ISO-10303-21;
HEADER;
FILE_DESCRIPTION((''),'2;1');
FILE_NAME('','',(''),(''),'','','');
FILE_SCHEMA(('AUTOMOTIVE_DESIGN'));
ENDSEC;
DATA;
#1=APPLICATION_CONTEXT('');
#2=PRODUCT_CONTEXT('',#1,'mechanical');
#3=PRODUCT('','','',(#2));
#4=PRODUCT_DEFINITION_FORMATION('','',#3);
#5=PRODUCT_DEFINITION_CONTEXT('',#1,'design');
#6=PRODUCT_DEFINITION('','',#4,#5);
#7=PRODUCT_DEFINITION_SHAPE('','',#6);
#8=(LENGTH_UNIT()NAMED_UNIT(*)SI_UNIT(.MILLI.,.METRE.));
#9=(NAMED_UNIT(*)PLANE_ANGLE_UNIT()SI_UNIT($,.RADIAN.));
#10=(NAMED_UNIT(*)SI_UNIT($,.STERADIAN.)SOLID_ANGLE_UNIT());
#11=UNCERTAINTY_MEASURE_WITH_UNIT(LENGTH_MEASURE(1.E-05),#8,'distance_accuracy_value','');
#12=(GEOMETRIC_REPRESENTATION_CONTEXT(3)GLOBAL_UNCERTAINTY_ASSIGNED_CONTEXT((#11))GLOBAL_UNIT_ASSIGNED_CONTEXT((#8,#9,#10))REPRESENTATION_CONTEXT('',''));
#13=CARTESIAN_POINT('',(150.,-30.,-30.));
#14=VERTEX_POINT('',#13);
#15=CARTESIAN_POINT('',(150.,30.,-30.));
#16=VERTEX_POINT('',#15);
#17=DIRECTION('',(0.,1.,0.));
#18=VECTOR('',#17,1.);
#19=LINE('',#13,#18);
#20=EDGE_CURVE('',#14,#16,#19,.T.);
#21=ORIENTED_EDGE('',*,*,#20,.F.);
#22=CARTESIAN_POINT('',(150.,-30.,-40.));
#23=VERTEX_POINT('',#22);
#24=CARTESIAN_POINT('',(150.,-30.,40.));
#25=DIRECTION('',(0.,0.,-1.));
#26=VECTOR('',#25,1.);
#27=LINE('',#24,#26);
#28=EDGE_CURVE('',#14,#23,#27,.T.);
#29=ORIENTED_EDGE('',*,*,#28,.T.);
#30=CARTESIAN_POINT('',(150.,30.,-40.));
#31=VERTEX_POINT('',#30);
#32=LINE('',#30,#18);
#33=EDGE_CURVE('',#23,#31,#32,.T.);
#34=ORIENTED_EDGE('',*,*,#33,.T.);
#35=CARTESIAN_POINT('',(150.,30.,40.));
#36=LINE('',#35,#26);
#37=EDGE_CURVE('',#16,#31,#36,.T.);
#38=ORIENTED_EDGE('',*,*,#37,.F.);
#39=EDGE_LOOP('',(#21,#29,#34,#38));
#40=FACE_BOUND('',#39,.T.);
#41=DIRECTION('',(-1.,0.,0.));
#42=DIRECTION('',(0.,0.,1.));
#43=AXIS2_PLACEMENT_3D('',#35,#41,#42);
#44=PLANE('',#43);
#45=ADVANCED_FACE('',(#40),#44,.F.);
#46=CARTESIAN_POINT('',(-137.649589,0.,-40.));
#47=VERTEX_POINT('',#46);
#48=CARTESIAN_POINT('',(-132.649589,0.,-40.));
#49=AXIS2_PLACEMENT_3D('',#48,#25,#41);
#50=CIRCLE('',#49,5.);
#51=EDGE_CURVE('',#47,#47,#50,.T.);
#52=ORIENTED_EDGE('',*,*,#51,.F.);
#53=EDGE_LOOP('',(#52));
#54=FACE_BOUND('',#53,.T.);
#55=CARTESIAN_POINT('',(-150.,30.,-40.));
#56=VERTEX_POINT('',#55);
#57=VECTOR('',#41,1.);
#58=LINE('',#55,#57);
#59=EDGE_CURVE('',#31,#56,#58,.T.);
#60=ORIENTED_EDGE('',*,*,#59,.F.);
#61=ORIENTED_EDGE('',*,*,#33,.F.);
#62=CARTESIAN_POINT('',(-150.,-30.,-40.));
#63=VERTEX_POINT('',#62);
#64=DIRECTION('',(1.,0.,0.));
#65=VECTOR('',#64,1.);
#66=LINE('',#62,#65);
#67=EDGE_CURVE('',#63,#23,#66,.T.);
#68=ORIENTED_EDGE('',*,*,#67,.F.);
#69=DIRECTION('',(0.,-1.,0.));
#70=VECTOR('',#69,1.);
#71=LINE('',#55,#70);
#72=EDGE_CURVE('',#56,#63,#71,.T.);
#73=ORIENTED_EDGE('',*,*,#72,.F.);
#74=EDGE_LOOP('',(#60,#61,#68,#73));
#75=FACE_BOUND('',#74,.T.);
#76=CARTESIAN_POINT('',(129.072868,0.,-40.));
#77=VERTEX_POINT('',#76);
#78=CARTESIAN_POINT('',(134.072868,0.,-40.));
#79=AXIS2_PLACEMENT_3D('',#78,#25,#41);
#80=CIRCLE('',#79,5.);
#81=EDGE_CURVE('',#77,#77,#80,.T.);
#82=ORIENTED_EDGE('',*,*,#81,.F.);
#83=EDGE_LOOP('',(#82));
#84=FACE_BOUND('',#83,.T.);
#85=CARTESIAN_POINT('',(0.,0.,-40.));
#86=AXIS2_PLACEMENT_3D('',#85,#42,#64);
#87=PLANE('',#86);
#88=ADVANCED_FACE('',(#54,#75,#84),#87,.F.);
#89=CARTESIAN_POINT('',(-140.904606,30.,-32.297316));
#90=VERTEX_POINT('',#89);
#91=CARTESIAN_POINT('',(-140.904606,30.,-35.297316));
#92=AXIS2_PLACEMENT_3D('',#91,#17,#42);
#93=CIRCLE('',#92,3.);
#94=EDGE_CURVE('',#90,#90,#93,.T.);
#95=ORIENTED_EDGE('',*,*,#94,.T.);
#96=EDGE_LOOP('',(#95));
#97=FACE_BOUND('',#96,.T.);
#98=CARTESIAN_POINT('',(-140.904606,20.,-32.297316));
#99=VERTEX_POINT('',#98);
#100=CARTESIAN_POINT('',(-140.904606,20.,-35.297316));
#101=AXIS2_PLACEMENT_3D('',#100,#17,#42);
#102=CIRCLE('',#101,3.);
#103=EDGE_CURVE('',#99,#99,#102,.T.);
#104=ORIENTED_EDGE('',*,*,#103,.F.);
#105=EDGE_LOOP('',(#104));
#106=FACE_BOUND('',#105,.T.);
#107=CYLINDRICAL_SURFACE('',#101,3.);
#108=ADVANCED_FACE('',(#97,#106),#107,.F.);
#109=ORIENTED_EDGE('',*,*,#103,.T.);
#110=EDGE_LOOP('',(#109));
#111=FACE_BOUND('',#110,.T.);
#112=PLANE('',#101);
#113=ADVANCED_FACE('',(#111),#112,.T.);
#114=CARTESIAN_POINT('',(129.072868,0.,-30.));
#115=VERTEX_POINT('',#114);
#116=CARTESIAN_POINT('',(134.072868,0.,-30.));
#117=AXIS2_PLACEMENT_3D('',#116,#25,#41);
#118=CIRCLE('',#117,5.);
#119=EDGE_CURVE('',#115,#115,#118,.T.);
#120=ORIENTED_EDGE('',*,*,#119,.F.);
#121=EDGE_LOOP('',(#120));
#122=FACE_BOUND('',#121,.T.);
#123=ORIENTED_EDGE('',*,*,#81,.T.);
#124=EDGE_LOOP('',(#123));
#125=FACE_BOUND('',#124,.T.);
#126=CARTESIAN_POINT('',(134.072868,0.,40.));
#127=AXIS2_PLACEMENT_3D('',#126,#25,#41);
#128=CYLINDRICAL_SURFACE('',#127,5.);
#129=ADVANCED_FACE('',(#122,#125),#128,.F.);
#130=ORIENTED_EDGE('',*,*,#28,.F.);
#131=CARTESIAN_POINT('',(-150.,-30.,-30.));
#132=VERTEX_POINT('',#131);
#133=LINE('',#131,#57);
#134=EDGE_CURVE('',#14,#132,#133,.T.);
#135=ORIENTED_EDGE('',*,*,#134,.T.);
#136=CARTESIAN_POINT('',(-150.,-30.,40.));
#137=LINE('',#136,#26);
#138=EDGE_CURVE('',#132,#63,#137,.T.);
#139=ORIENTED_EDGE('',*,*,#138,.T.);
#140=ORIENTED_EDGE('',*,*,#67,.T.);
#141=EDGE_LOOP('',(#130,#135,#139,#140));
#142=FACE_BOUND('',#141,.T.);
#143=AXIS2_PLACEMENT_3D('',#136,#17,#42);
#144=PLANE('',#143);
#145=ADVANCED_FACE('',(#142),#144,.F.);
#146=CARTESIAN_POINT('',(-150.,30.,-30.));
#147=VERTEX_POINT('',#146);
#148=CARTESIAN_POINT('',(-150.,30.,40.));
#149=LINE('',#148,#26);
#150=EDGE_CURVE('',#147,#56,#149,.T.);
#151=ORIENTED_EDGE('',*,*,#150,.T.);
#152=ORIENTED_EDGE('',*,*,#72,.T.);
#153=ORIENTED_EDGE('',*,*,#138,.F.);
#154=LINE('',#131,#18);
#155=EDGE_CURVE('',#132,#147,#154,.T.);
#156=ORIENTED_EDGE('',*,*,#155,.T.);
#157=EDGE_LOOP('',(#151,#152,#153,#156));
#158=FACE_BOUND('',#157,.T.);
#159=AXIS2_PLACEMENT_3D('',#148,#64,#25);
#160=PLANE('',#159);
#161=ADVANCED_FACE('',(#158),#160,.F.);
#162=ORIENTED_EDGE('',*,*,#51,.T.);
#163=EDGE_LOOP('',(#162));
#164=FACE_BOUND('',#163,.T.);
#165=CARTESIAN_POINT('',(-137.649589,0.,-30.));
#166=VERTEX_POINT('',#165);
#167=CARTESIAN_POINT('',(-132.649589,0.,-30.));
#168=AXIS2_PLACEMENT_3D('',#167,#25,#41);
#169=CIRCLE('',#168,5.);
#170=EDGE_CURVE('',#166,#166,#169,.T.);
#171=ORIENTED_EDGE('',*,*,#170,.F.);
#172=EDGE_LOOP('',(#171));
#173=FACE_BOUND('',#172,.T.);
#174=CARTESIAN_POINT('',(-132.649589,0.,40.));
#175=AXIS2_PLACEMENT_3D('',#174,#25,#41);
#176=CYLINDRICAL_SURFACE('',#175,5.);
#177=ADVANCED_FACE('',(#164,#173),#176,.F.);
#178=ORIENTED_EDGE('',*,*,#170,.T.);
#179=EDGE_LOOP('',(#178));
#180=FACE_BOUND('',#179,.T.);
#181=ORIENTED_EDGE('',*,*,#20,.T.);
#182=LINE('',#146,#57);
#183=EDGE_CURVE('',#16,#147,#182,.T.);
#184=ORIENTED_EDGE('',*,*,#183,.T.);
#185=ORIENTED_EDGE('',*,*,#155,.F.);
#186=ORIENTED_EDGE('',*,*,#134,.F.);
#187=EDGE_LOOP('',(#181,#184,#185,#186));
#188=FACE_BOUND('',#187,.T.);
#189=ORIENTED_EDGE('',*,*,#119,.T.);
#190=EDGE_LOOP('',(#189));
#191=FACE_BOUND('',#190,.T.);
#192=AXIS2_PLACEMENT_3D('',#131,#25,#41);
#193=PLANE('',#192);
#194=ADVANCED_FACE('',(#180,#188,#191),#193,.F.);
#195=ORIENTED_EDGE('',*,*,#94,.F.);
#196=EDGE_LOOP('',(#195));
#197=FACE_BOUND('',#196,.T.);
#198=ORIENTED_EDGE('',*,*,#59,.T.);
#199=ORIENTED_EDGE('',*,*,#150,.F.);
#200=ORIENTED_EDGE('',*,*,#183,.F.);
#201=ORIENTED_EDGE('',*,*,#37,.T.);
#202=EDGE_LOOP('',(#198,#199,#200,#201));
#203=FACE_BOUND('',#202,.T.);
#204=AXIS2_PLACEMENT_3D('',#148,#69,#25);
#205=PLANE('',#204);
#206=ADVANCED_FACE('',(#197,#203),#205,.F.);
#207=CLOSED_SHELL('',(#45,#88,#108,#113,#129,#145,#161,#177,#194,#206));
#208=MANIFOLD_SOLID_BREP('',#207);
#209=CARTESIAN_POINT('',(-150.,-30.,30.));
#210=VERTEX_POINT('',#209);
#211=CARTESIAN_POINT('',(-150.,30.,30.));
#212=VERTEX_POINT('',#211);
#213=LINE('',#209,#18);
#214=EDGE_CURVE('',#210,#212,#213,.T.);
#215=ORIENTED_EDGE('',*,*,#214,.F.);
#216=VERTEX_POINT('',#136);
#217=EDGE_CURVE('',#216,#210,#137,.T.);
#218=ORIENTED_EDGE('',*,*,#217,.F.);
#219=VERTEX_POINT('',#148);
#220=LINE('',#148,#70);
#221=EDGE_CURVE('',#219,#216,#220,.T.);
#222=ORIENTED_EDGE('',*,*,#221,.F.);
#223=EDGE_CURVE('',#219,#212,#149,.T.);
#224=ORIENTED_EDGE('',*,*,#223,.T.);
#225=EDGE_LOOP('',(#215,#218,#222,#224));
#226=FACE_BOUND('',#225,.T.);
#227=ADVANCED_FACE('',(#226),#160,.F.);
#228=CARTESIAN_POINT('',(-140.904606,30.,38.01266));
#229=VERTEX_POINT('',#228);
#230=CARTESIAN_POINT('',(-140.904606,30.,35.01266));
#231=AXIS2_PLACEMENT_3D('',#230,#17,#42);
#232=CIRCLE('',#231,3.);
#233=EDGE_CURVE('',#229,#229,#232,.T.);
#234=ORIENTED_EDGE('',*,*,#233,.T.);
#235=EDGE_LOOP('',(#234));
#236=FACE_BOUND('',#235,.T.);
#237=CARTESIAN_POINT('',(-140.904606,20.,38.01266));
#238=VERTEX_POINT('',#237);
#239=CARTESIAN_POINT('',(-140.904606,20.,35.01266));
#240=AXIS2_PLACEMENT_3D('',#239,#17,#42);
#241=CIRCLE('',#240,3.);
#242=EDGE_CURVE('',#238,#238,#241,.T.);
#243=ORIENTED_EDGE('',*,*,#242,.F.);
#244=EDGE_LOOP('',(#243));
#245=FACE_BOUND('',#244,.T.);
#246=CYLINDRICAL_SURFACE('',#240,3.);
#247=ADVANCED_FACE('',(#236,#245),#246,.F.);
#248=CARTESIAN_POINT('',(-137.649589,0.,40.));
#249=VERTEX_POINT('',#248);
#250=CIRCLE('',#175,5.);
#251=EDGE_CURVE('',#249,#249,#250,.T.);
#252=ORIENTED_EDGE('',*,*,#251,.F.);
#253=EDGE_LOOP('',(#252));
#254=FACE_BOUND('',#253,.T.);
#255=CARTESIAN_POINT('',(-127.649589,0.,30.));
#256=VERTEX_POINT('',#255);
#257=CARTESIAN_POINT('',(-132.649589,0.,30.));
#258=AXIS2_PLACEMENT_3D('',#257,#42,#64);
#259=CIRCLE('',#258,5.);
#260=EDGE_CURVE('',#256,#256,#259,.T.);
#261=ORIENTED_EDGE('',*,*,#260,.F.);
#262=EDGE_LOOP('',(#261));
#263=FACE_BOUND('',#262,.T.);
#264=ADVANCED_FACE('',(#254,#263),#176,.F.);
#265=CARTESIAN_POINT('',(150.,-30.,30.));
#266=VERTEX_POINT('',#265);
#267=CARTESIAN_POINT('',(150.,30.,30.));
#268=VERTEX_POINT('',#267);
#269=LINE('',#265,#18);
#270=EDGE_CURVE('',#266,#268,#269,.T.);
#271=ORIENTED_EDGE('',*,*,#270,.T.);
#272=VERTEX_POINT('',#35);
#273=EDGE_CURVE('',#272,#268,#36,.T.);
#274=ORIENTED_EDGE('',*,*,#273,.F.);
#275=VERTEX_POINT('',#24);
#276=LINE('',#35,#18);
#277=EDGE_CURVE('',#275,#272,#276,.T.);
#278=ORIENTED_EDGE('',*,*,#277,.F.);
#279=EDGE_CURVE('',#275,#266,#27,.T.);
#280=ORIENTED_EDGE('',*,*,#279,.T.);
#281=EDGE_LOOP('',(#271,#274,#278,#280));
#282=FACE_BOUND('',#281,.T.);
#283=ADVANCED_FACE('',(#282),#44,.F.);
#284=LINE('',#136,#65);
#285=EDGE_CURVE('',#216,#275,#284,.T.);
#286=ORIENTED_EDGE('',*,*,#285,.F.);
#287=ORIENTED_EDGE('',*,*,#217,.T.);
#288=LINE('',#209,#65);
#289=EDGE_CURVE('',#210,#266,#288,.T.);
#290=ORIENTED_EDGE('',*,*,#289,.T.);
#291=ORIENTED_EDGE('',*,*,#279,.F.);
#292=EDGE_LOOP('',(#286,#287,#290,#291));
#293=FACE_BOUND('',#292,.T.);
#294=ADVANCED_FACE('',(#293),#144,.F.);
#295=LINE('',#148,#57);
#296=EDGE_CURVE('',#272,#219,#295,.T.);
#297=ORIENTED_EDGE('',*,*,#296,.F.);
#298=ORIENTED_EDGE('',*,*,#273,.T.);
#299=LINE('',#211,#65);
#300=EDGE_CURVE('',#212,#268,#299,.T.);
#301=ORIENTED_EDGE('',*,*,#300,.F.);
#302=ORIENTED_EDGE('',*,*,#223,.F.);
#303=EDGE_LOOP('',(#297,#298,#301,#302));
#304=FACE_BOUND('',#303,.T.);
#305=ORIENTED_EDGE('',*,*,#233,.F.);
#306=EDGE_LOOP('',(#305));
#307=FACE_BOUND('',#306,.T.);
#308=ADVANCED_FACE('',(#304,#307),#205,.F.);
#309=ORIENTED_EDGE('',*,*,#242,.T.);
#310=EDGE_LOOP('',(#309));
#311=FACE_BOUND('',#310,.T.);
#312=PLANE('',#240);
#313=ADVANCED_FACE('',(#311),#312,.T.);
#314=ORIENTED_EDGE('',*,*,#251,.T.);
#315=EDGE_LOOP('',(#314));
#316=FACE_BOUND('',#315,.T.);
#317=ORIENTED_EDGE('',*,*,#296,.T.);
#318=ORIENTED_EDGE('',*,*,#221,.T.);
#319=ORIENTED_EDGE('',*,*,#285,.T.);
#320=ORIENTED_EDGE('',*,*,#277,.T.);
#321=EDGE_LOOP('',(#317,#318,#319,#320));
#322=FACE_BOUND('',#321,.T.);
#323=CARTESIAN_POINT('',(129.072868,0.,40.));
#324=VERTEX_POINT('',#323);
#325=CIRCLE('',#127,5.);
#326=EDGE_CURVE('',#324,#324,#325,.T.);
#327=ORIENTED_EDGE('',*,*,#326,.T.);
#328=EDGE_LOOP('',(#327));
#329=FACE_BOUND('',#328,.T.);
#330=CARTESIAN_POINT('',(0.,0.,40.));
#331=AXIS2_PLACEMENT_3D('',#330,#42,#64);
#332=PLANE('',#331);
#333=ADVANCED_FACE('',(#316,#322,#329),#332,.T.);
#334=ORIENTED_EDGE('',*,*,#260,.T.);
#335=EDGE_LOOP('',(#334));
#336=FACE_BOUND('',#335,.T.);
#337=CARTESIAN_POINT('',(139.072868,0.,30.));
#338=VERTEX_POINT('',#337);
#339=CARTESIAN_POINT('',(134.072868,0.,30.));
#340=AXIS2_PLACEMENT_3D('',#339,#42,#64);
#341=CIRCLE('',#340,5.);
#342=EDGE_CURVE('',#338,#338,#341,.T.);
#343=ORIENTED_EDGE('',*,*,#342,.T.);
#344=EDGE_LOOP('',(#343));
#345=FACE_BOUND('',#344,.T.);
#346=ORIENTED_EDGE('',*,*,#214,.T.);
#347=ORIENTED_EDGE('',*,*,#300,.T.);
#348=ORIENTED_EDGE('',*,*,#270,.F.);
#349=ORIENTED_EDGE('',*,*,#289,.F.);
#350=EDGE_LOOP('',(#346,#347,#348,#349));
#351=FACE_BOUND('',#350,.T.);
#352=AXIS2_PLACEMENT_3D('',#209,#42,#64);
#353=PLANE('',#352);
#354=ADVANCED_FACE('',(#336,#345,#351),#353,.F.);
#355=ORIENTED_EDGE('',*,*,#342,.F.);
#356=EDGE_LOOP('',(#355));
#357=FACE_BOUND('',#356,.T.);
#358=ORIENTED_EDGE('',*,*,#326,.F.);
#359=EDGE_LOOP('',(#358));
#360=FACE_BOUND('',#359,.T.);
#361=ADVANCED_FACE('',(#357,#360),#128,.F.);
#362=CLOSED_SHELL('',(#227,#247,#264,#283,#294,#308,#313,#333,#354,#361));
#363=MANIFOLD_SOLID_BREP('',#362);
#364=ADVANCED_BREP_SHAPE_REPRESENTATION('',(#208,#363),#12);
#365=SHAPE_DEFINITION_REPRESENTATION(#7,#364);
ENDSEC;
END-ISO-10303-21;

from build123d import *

# Parameters (mm, degrees)
SKETCH1_W           = 300
SKETCH1_H           = 60
BOSS_EXTRUDE1_DEPTH = 40
SKETCH2_W           = 300
SKETCH2_H           = 60
CUT_EXTRUDE2_DEPTH  = 167.433169771
SKETCH5_R           = 5
CUT_EXTRUDE3_DEPTH  = 173.626765016
SKETCH7_R           = 3
CUT_EXTRUDE4_DEPTH  = 10


with BuildPart() as part:
    # Sketch1 → Boss-Extrude1 (new, symmetric)
    with BuildSketch(Plane.XY):
        Rectangle(SKETCH1_W, SKETCH1_H)
    extrude(amount=BOSS_EXTRUDE1_DEPTH, both=True)

    # Sketch2 → Cut-Extrude2 (cut, through all)
    with BuildSketch(Plane(origin=(0, 30, 0), x_dir=(1, 0, 0), z_dir=(0, 1, 0))):
        Rectangle(SKETCH2_W, SKETCH2_H)
    extrude(amount=-CUT_EXTRUDE2_DEPTH, mode=Mode.SUBTRACT)


with BuildPart() as cut_extrude2_piece_1:
    # of the separate pieces the step leaves, piece 1, a body of its own (cut_extrude2_pieces)
    add(part.part.solids().sort_by_distance((-150, 30, -40))[0])


with BuildPart() as cut_extrude2_piece_2:
    # of the separate pieces the step leaves, piece 2, a body of its own (cut_extrude2_pieces)
    add(part.part.solids().sort_by_distance((-150, 30, 30))[0])


with BuildPart() as cut_extrude3_tool:
    # Sketch5 → Cut-Extrude3 (new, through all)
    with BuildSketch(Plane(origin=(0, 0, -40), x_dir=(-1, 0, 0), z_dir=(0, 0, -1))):
        with Locations((-134.072867863, 0)):
            Circle(SKETCH5_R)
        with Locations((132.649589011, 0)):
            Circle(SKETCH5_R)
    extrude(amount=-CUT_EXTRUDE3_DEPTH)


with BuildPart() as cut_extrude2_piece_1_1:
    add(cut_extrude2_piece_1.part)

    # Cut-Extrude3: cut by cut_extrude3_tool
    add(cut_extrude3_tool.part, mode=Mode.SUBTRACT)


with BuildPart() as cut_extrude2_piece_2_1:
    add(cut_extrude2_piece_2.part)

    # Cut-Extrude3: cut by cut_extrude3_tool
    add(cut_extrude3_tool.part, mode=Mode.SUBTRACT)


with BuildPart() as cut_extrude4_tool:
    # Sketch7 → Cut-Extrude4 (new body)
    with BuildSketch(Plane(origin=(0, 30, 0), x_dir=(1, 0, 0), z_dir=(0, 1, 0))):
        with Locations(Location((-140.904606353, -35.01265976, 0), (0, 0, 270))):
            Circle(SKETCH7_R)
        with Locations(Location((-140.904606353, 35.297315531, 0), (0, 0, 270))):
            Circle(SKETCH7_R)
    extrude(amount=-CUT_EXTRUDE4_DEPTH)


with BuildPart() as cut_extrude2_piece_1_2:
    add(cut_extrude2_piece_1_1.part)

    # Cut-Extrude4: cut by cut_extrude4_tool
    add(cut_extrude4_tool.part, mode=Mode.SUBTRACT)


with BuildPart() as cut_extrude2_piece_2_2:
    add(cut_extrude2_piece_2_1.part)

    # Cut-Extrude4: cut by cut_extrude4_tool
    add(cut_extrude4_tool.part, mode=Mode.SUBTRACT)


solid = Compound([cut_extrude2_piece_1_2.part, cut_extrude2_piece_2_2.part])
